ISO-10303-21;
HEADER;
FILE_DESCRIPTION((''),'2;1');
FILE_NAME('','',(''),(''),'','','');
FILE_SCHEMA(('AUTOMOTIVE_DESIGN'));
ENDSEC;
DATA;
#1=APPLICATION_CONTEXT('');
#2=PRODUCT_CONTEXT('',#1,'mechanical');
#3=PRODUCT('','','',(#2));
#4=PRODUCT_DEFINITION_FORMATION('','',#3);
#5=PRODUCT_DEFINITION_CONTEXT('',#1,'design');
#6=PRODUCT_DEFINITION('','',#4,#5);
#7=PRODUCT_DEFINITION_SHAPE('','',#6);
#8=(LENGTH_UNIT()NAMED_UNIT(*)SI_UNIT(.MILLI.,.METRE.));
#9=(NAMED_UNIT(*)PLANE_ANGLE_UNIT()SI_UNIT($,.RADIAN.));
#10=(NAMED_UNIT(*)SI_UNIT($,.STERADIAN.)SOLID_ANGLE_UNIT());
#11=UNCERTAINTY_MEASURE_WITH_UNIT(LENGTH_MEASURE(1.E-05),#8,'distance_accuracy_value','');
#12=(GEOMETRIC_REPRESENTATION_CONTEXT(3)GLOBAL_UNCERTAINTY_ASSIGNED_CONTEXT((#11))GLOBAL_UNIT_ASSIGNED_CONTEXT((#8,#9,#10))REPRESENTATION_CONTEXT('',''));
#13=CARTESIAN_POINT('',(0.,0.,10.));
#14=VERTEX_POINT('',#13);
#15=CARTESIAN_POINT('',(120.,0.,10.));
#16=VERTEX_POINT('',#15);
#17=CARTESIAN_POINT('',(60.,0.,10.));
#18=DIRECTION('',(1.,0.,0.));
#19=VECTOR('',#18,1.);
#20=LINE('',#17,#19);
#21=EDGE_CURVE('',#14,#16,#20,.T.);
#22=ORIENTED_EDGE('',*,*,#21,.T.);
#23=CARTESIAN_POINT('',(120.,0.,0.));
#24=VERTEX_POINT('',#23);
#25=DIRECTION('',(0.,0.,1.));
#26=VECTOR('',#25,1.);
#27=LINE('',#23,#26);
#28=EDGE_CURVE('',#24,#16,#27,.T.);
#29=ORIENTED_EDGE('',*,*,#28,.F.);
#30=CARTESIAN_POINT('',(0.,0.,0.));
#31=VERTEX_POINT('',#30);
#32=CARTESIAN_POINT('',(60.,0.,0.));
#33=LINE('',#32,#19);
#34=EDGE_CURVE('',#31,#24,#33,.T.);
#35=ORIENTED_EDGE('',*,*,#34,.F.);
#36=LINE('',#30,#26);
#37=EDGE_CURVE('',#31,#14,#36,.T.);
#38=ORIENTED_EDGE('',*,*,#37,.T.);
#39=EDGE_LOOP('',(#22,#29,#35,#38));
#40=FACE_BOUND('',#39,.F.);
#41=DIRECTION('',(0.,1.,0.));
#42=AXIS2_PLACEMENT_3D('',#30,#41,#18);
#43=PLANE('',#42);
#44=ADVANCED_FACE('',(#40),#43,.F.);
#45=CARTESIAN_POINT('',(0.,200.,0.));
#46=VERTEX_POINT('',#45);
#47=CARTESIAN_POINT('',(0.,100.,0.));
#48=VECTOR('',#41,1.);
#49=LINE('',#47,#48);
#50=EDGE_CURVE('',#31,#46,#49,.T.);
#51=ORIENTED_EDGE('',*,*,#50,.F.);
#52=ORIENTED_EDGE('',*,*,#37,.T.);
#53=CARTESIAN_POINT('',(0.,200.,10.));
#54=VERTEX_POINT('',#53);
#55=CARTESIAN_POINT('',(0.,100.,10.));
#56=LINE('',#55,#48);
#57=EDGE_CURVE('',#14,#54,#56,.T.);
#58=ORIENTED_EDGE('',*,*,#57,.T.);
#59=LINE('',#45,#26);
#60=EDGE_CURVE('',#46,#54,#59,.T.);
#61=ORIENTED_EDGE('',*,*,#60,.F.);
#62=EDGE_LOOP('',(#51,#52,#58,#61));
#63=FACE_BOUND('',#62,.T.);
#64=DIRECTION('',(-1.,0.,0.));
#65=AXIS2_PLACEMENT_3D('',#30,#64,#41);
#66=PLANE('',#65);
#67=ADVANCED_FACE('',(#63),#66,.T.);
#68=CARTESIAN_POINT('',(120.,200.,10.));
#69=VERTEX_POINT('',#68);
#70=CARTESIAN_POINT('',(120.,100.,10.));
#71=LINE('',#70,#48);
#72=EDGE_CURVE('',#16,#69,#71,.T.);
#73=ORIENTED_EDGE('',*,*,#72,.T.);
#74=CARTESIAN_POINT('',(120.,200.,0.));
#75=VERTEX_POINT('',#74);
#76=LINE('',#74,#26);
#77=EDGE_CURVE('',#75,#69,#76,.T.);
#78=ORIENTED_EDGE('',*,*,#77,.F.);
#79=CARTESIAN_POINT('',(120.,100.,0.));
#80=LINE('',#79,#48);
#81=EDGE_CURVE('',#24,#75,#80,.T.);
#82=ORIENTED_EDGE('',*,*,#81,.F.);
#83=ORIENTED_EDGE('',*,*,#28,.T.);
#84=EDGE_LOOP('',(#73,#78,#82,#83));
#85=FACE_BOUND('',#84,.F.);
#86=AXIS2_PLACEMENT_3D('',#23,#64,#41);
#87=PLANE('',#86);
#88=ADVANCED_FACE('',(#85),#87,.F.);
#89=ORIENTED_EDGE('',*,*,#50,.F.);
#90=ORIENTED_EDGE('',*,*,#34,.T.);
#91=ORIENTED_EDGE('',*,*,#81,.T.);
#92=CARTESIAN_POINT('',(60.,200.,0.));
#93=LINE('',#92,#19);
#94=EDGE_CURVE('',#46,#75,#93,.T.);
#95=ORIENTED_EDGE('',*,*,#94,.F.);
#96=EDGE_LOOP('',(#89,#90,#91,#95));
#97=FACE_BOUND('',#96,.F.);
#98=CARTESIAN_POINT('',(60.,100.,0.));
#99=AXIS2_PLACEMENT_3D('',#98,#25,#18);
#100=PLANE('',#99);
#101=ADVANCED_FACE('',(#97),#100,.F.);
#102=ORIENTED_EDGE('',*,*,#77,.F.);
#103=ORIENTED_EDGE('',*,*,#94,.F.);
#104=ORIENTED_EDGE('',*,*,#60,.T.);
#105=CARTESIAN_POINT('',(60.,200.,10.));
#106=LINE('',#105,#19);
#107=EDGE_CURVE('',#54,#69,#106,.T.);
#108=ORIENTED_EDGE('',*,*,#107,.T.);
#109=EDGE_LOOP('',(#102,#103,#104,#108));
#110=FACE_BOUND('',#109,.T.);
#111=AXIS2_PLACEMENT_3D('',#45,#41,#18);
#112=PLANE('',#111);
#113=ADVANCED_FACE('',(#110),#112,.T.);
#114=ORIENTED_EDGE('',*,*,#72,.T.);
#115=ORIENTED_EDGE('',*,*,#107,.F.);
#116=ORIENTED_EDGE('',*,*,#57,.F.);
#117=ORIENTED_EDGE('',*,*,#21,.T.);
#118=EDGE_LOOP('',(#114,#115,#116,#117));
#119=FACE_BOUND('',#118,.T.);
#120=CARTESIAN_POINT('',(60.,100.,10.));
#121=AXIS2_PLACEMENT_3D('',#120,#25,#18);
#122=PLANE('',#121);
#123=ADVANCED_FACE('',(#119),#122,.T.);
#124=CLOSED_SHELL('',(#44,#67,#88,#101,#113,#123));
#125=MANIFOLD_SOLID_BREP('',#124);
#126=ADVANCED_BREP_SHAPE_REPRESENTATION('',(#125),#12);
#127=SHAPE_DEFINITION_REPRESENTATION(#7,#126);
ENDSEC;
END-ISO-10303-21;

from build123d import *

# Parameters (mm, degrees)
SKETCH_W  = 120
SKETCH_H  = 200
PAD_DEPTH = 10


with BuildPart() as part:
    # Sketch → Pad (new body)
    with BuildSketch(Plane.XY):
        with Locations((60, 100)):
            Rectangle(SKETCH_W, SKETCH_H)
    extrude(amount=PAD_DEPTH)


solid = part.part
